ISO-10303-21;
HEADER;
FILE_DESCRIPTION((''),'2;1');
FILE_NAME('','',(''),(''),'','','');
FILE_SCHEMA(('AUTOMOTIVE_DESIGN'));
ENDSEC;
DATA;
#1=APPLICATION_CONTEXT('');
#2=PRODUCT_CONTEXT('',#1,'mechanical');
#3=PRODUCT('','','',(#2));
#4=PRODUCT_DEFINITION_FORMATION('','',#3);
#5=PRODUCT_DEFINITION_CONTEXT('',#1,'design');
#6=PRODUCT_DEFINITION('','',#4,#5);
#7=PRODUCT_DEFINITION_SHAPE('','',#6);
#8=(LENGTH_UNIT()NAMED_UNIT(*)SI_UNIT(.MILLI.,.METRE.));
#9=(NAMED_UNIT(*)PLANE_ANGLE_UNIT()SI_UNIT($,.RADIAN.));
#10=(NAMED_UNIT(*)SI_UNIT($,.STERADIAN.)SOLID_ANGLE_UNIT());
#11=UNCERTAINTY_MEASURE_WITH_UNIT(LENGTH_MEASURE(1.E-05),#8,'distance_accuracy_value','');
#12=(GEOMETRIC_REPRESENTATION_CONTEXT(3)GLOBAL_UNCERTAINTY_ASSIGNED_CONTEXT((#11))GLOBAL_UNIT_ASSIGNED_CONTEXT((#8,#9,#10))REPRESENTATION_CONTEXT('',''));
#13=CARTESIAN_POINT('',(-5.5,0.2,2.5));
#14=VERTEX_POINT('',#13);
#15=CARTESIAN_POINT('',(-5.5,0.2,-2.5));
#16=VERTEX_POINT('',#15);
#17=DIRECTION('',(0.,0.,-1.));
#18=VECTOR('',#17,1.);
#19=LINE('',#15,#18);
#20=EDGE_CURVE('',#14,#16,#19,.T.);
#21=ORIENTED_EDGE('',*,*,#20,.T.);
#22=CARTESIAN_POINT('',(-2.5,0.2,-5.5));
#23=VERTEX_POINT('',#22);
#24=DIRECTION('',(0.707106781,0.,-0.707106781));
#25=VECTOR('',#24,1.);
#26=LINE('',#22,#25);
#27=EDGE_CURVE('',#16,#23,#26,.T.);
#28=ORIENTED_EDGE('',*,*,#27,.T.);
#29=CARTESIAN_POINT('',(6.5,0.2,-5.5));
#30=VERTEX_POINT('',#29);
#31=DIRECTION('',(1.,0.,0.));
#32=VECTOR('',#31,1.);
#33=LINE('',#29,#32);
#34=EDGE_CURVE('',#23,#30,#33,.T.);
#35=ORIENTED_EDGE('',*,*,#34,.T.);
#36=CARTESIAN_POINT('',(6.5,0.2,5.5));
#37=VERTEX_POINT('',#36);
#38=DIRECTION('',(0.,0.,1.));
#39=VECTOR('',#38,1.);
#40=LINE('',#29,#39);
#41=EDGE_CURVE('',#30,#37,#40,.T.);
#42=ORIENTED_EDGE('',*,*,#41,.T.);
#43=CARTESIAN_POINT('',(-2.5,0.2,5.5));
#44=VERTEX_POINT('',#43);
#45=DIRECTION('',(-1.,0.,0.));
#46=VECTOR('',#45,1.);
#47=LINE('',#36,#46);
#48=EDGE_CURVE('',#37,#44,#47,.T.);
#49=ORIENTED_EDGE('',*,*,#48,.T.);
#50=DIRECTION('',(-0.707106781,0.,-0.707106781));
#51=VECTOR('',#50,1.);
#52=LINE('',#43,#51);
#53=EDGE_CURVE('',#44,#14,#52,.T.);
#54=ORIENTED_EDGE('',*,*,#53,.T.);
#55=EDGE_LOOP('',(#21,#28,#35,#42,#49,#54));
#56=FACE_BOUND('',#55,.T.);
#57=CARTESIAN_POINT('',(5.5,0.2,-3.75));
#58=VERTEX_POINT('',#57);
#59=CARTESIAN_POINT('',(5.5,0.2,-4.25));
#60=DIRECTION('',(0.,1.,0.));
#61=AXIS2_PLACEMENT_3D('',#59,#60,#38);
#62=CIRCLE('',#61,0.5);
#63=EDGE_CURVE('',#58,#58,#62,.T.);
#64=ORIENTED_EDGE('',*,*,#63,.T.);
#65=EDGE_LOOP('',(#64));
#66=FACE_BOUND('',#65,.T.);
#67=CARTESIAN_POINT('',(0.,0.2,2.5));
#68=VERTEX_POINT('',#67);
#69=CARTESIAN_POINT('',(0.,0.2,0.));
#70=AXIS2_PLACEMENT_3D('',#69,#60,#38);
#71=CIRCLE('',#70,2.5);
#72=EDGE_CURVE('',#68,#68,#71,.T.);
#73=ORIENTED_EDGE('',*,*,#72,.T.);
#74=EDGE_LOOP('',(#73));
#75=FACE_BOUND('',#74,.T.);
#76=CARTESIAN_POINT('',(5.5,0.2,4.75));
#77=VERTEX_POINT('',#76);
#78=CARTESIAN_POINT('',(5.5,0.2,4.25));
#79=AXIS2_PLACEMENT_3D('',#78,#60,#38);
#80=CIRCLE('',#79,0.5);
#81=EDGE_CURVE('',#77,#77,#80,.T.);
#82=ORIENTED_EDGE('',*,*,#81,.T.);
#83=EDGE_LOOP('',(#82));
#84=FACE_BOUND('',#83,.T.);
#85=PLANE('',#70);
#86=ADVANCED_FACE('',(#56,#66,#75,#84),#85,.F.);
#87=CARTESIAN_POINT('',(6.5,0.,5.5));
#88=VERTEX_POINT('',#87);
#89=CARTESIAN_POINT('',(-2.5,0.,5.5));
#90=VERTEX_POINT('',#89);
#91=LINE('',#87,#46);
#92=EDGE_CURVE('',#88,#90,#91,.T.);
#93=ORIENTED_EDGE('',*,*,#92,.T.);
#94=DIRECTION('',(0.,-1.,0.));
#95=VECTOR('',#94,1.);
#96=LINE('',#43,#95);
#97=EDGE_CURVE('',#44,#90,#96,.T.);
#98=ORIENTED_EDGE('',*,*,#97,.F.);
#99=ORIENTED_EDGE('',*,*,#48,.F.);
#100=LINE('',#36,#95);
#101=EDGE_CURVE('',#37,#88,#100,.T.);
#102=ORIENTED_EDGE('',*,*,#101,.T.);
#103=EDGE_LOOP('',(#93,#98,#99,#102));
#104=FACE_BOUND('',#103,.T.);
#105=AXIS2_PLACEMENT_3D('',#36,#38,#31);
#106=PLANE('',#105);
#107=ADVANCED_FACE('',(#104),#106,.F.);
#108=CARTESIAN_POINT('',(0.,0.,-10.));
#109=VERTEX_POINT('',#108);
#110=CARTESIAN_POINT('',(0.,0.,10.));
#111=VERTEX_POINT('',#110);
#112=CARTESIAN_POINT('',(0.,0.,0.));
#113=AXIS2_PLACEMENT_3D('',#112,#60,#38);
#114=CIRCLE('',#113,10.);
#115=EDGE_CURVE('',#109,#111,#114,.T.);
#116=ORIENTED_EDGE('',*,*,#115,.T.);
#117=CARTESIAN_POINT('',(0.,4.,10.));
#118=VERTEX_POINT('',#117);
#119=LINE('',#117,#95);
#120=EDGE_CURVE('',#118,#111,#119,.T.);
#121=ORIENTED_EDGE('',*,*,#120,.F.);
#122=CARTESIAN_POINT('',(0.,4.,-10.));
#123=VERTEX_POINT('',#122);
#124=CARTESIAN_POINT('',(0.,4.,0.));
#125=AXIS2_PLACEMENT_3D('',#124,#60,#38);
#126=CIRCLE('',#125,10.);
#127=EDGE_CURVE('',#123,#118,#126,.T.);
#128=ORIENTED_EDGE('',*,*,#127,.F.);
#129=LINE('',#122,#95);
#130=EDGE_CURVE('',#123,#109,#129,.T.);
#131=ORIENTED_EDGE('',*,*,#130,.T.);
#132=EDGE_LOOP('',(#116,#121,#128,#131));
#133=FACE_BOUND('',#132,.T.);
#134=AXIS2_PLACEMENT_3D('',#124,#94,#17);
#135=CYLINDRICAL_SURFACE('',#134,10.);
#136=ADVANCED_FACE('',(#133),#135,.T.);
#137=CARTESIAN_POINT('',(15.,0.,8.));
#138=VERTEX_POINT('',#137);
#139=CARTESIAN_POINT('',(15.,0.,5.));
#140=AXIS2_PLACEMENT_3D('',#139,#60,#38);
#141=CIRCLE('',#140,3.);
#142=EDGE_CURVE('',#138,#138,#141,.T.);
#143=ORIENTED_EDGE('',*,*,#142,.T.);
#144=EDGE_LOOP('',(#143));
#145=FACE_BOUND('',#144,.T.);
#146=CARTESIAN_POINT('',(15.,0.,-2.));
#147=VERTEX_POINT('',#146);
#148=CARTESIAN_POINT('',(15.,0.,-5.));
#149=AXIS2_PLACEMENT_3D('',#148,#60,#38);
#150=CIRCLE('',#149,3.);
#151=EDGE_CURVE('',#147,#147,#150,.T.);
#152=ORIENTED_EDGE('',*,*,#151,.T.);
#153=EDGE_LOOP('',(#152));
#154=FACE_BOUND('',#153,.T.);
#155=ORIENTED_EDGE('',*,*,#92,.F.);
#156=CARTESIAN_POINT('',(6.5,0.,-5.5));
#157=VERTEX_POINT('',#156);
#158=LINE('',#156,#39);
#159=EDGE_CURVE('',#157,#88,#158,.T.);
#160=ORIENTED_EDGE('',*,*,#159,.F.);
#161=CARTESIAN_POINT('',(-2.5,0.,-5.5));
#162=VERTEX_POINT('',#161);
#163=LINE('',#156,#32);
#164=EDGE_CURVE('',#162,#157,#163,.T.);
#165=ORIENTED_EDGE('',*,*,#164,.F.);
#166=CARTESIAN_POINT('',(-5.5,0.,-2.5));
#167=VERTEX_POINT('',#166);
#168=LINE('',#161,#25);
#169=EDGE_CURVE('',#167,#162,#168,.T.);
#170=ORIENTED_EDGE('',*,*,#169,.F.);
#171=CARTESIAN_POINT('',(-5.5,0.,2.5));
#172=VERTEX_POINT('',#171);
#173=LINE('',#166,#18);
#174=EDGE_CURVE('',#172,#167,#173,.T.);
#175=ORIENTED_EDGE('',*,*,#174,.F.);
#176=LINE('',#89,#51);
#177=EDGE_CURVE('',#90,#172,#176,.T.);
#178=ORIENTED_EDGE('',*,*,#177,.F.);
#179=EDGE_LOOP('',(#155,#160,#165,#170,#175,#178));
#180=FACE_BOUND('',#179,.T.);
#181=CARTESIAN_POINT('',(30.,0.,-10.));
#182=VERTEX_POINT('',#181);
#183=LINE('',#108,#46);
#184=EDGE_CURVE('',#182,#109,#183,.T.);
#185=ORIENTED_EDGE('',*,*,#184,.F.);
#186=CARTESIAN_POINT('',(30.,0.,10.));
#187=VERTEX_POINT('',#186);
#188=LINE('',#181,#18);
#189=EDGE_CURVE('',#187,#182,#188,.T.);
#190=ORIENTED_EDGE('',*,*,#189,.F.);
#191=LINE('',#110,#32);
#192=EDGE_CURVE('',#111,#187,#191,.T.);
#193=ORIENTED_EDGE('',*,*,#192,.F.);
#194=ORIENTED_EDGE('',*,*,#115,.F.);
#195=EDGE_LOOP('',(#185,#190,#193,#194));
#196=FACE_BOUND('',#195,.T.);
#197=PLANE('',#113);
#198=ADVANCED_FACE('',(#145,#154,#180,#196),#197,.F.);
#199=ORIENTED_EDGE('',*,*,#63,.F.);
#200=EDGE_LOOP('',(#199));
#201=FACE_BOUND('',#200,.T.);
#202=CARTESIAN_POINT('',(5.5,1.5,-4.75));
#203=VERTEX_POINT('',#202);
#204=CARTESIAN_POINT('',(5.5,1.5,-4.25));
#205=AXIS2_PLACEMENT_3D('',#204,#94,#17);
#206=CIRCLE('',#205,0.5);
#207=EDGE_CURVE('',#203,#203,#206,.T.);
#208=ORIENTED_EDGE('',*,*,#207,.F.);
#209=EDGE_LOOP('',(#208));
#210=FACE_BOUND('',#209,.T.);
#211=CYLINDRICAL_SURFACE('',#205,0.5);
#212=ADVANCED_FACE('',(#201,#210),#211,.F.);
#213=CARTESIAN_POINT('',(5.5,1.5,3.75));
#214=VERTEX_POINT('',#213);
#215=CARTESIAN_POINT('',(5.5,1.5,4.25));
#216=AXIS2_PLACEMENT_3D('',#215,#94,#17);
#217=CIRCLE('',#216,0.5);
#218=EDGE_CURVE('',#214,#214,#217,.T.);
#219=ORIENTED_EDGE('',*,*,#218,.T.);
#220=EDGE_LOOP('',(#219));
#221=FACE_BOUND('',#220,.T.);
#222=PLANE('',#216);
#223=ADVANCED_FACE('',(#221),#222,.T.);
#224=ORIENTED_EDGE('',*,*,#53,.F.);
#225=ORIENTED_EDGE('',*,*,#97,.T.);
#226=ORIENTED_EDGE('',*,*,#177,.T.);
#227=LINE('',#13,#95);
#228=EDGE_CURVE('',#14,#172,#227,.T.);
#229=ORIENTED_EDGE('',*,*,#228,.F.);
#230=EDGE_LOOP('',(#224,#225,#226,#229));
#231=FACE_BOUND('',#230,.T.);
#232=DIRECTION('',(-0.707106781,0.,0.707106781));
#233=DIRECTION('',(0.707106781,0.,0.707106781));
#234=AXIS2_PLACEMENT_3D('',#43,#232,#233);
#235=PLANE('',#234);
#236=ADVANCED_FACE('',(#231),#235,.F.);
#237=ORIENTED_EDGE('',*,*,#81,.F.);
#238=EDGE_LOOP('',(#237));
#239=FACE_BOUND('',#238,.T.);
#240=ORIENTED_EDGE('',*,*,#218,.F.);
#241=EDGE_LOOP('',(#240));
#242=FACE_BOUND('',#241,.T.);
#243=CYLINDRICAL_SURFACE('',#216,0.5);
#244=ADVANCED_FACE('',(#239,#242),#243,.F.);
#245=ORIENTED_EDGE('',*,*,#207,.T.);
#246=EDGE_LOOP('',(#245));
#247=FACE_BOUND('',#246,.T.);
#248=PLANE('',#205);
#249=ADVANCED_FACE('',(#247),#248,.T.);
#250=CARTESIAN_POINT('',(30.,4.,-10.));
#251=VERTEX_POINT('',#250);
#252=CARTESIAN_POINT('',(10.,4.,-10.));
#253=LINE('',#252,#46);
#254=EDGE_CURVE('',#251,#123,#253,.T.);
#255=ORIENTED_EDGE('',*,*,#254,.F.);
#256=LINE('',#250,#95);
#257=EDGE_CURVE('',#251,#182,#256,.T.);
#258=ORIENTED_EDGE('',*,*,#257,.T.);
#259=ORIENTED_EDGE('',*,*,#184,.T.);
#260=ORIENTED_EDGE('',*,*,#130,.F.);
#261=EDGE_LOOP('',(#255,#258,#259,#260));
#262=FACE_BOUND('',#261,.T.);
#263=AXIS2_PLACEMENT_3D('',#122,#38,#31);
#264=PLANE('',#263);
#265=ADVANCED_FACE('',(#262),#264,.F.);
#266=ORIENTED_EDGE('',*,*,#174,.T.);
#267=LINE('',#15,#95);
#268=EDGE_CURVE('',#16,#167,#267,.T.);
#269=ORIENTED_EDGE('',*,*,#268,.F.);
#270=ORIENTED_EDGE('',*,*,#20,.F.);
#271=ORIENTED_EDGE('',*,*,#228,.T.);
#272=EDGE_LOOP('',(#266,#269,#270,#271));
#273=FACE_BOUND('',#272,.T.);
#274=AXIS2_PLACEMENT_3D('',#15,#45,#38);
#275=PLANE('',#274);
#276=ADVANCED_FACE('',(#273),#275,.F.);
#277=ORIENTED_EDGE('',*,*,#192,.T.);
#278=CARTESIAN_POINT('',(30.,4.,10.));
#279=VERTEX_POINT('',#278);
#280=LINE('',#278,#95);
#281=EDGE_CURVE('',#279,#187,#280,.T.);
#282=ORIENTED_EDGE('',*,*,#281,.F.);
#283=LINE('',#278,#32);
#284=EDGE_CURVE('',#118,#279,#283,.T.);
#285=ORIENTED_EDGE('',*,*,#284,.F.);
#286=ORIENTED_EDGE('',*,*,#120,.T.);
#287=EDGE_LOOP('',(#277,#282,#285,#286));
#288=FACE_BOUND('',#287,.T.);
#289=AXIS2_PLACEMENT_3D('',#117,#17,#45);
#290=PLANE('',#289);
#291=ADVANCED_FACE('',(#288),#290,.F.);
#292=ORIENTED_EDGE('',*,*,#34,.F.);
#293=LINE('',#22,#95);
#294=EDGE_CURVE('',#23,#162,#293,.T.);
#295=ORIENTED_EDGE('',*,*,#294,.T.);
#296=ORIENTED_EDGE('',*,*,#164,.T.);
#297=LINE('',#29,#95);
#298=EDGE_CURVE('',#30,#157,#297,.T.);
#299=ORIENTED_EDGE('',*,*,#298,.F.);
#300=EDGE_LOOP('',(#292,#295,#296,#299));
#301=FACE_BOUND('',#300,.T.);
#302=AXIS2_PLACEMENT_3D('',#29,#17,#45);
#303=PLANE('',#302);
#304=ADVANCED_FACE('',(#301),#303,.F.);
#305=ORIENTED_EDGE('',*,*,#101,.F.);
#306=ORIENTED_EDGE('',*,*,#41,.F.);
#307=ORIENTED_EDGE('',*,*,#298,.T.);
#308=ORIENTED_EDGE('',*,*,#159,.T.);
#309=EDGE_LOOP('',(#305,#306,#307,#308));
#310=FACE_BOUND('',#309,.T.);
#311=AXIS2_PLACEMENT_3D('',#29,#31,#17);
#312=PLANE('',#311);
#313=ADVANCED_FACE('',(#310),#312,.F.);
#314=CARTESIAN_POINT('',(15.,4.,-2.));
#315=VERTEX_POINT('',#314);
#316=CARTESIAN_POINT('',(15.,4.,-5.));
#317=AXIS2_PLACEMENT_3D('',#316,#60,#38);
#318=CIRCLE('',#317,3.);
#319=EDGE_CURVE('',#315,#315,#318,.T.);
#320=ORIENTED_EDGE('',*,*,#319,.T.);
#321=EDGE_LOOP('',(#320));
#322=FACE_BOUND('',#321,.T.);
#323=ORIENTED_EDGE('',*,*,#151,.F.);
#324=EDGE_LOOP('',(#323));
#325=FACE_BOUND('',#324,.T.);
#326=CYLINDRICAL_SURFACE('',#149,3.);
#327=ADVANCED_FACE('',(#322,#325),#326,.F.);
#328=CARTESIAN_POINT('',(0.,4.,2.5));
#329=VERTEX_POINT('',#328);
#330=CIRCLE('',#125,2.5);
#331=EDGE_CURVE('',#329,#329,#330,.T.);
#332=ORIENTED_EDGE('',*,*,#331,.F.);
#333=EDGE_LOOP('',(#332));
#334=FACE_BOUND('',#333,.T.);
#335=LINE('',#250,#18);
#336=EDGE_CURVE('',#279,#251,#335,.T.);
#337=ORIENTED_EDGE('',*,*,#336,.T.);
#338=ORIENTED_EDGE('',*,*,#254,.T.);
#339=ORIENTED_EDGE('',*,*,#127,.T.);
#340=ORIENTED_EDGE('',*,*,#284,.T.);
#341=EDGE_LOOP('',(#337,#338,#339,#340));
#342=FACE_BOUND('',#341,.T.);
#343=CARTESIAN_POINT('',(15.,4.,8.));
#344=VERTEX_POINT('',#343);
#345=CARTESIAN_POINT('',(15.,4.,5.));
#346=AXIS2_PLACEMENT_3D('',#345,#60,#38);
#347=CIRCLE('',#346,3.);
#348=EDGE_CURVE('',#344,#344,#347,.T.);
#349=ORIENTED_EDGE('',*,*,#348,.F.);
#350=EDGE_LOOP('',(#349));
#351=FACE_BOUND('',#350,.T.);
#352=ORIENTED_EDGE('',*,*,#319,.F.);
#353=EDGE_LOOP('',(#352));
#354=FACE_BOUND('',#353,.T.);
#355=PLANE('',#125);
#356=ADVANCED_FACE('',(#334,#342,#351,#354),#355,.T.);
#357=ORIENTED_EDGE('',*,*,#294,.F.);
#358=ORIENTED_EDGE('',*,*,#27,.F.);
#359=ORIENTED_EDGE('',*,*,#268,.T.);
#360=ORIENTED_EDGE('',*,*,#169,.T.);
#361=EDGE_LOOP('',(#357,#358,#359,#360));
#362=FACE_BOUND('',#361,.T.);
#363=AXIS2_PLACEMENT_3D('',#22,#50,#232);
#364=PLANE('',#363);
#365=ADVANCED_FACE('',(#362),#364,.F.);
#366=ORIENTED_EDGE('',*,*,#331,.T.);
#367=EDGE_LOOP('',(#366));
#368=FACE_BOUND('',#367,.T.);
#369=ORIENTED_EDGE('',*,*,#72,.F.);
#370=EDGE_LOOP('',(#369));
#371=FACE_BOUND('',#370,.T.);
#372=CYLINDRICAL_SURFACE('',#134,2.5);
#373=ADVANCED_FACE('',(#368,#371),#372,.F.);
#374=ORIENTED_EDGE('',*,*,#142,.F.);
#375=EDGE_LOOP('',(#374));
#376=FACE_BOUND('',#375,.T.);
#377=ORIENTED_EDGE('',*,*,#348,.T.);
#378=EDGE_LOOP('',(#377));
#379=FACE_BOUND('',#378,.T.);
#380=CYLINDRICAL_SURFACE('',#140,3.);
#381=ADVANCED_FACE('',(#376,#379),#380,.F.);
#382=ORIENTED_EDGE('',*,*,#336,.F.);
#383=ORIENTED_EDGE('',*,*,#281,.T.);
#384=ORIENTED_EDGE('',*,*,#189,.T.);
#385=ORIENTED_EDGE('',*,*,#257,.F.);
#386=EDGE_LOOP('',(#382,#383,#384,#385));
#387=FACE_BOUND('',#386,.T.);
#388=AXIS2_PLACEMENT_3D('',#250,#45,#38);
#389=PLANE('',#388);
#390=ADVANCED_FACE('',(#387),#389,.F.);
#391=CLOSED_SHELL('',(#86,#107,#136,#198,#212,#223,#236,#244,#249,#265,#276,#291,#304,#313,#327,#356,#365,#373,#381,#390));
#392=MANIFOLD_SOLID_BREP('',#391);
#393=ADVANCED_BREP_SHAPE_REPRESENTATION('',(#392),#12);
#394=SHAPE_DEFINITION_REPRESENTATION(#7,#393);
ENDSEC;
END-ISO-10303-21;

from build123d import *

# Parameters (mm, degrees)
SKETCH1_R           = 2.5
BOSS_EXTRUDE1_DEPTH = 4
CUT_EXTRUDE2_DEPTH  = 0.2
SKETCH6_R           = 0.5
CUT_EXTRUDE3_DEPTH  = 1.5
SKETCH7_R           = 3
CUT_EXTRUDE4_DEPTH  = 32.874754901


with BuildPart() as part:
    # Sketch1 → Boss-Extrude1 (new body)
    with BuildSketch(Plane(origin=(0, 0, 0), x_dir=(1, 0, 0), z_dir=(0, 1, 0))):
        with BuildLine():
            Line((10, 10), (30, 10))
            Line((30, 10), (30, -10))
            Line((30, -10), (10, -10))
            Line((10, -10), (0, -10))
            ThreePointArc((0, -10), (-10, 0), (0, 10))
            Line((0, 10), (10, 10))
        make_face()
        with Locations(Location((0, 0, 0), (0, 0, 270))):
            Circle(SKETCH1_R, mode=Mode.SUBTRACT)
    extrude(amount=BOSS_EXTRUDE1_DEPTH)

    # Sketch5 → Cut-Extrude2 (cut)
    with BuildSketch(Plane.XZ):
        Polygon((-5.5, -2.5), (-5.5, 2.5), (-2.5, 5.5), (6.5, 5.5), (6.5, -5.5), (-2.5, -5.5), align=None)
    extrude(amount=-CUT_EXTRUDE2_DEPTH, mode=Mode.SUBTRACT)

    # Sketch6 → Cut-Extrude3 (cut)
    with BuildSketch(Plane.XZ):
        with Locations(Location((5.5, 4.25, 0), (0, 0, 270))):
            Circle(SKETCH6_R)
        with Locations(Location((5.5, -4.25, 0), (0, 0, 270))):
            Circle(SKETCH6_R)
    extrude(amount=-CUT_EXTRUDE3_DEPTH, mode=Mode.SUBTRACT)

    # Sketch7 → Cut-Extrude4 (cut, through all)
    with BuildSketch(Plane(origin=(0, 4, 0), x_dir=(1, 0, 0), z_dir=(0, 1, 0))):
        with Locations(Location((15, 5, 0), (0, 0, 270))):
            Circle(SKETCH7_R)
        with Locations(Location((15, -5, 0), (0, 0, 270))):
            Circle(SKETCH7_R)
    extrude(amount=-CUT_EXTRUDE4_DEPTH, mode=Mode.SUBTRACT)


solid = part.part
